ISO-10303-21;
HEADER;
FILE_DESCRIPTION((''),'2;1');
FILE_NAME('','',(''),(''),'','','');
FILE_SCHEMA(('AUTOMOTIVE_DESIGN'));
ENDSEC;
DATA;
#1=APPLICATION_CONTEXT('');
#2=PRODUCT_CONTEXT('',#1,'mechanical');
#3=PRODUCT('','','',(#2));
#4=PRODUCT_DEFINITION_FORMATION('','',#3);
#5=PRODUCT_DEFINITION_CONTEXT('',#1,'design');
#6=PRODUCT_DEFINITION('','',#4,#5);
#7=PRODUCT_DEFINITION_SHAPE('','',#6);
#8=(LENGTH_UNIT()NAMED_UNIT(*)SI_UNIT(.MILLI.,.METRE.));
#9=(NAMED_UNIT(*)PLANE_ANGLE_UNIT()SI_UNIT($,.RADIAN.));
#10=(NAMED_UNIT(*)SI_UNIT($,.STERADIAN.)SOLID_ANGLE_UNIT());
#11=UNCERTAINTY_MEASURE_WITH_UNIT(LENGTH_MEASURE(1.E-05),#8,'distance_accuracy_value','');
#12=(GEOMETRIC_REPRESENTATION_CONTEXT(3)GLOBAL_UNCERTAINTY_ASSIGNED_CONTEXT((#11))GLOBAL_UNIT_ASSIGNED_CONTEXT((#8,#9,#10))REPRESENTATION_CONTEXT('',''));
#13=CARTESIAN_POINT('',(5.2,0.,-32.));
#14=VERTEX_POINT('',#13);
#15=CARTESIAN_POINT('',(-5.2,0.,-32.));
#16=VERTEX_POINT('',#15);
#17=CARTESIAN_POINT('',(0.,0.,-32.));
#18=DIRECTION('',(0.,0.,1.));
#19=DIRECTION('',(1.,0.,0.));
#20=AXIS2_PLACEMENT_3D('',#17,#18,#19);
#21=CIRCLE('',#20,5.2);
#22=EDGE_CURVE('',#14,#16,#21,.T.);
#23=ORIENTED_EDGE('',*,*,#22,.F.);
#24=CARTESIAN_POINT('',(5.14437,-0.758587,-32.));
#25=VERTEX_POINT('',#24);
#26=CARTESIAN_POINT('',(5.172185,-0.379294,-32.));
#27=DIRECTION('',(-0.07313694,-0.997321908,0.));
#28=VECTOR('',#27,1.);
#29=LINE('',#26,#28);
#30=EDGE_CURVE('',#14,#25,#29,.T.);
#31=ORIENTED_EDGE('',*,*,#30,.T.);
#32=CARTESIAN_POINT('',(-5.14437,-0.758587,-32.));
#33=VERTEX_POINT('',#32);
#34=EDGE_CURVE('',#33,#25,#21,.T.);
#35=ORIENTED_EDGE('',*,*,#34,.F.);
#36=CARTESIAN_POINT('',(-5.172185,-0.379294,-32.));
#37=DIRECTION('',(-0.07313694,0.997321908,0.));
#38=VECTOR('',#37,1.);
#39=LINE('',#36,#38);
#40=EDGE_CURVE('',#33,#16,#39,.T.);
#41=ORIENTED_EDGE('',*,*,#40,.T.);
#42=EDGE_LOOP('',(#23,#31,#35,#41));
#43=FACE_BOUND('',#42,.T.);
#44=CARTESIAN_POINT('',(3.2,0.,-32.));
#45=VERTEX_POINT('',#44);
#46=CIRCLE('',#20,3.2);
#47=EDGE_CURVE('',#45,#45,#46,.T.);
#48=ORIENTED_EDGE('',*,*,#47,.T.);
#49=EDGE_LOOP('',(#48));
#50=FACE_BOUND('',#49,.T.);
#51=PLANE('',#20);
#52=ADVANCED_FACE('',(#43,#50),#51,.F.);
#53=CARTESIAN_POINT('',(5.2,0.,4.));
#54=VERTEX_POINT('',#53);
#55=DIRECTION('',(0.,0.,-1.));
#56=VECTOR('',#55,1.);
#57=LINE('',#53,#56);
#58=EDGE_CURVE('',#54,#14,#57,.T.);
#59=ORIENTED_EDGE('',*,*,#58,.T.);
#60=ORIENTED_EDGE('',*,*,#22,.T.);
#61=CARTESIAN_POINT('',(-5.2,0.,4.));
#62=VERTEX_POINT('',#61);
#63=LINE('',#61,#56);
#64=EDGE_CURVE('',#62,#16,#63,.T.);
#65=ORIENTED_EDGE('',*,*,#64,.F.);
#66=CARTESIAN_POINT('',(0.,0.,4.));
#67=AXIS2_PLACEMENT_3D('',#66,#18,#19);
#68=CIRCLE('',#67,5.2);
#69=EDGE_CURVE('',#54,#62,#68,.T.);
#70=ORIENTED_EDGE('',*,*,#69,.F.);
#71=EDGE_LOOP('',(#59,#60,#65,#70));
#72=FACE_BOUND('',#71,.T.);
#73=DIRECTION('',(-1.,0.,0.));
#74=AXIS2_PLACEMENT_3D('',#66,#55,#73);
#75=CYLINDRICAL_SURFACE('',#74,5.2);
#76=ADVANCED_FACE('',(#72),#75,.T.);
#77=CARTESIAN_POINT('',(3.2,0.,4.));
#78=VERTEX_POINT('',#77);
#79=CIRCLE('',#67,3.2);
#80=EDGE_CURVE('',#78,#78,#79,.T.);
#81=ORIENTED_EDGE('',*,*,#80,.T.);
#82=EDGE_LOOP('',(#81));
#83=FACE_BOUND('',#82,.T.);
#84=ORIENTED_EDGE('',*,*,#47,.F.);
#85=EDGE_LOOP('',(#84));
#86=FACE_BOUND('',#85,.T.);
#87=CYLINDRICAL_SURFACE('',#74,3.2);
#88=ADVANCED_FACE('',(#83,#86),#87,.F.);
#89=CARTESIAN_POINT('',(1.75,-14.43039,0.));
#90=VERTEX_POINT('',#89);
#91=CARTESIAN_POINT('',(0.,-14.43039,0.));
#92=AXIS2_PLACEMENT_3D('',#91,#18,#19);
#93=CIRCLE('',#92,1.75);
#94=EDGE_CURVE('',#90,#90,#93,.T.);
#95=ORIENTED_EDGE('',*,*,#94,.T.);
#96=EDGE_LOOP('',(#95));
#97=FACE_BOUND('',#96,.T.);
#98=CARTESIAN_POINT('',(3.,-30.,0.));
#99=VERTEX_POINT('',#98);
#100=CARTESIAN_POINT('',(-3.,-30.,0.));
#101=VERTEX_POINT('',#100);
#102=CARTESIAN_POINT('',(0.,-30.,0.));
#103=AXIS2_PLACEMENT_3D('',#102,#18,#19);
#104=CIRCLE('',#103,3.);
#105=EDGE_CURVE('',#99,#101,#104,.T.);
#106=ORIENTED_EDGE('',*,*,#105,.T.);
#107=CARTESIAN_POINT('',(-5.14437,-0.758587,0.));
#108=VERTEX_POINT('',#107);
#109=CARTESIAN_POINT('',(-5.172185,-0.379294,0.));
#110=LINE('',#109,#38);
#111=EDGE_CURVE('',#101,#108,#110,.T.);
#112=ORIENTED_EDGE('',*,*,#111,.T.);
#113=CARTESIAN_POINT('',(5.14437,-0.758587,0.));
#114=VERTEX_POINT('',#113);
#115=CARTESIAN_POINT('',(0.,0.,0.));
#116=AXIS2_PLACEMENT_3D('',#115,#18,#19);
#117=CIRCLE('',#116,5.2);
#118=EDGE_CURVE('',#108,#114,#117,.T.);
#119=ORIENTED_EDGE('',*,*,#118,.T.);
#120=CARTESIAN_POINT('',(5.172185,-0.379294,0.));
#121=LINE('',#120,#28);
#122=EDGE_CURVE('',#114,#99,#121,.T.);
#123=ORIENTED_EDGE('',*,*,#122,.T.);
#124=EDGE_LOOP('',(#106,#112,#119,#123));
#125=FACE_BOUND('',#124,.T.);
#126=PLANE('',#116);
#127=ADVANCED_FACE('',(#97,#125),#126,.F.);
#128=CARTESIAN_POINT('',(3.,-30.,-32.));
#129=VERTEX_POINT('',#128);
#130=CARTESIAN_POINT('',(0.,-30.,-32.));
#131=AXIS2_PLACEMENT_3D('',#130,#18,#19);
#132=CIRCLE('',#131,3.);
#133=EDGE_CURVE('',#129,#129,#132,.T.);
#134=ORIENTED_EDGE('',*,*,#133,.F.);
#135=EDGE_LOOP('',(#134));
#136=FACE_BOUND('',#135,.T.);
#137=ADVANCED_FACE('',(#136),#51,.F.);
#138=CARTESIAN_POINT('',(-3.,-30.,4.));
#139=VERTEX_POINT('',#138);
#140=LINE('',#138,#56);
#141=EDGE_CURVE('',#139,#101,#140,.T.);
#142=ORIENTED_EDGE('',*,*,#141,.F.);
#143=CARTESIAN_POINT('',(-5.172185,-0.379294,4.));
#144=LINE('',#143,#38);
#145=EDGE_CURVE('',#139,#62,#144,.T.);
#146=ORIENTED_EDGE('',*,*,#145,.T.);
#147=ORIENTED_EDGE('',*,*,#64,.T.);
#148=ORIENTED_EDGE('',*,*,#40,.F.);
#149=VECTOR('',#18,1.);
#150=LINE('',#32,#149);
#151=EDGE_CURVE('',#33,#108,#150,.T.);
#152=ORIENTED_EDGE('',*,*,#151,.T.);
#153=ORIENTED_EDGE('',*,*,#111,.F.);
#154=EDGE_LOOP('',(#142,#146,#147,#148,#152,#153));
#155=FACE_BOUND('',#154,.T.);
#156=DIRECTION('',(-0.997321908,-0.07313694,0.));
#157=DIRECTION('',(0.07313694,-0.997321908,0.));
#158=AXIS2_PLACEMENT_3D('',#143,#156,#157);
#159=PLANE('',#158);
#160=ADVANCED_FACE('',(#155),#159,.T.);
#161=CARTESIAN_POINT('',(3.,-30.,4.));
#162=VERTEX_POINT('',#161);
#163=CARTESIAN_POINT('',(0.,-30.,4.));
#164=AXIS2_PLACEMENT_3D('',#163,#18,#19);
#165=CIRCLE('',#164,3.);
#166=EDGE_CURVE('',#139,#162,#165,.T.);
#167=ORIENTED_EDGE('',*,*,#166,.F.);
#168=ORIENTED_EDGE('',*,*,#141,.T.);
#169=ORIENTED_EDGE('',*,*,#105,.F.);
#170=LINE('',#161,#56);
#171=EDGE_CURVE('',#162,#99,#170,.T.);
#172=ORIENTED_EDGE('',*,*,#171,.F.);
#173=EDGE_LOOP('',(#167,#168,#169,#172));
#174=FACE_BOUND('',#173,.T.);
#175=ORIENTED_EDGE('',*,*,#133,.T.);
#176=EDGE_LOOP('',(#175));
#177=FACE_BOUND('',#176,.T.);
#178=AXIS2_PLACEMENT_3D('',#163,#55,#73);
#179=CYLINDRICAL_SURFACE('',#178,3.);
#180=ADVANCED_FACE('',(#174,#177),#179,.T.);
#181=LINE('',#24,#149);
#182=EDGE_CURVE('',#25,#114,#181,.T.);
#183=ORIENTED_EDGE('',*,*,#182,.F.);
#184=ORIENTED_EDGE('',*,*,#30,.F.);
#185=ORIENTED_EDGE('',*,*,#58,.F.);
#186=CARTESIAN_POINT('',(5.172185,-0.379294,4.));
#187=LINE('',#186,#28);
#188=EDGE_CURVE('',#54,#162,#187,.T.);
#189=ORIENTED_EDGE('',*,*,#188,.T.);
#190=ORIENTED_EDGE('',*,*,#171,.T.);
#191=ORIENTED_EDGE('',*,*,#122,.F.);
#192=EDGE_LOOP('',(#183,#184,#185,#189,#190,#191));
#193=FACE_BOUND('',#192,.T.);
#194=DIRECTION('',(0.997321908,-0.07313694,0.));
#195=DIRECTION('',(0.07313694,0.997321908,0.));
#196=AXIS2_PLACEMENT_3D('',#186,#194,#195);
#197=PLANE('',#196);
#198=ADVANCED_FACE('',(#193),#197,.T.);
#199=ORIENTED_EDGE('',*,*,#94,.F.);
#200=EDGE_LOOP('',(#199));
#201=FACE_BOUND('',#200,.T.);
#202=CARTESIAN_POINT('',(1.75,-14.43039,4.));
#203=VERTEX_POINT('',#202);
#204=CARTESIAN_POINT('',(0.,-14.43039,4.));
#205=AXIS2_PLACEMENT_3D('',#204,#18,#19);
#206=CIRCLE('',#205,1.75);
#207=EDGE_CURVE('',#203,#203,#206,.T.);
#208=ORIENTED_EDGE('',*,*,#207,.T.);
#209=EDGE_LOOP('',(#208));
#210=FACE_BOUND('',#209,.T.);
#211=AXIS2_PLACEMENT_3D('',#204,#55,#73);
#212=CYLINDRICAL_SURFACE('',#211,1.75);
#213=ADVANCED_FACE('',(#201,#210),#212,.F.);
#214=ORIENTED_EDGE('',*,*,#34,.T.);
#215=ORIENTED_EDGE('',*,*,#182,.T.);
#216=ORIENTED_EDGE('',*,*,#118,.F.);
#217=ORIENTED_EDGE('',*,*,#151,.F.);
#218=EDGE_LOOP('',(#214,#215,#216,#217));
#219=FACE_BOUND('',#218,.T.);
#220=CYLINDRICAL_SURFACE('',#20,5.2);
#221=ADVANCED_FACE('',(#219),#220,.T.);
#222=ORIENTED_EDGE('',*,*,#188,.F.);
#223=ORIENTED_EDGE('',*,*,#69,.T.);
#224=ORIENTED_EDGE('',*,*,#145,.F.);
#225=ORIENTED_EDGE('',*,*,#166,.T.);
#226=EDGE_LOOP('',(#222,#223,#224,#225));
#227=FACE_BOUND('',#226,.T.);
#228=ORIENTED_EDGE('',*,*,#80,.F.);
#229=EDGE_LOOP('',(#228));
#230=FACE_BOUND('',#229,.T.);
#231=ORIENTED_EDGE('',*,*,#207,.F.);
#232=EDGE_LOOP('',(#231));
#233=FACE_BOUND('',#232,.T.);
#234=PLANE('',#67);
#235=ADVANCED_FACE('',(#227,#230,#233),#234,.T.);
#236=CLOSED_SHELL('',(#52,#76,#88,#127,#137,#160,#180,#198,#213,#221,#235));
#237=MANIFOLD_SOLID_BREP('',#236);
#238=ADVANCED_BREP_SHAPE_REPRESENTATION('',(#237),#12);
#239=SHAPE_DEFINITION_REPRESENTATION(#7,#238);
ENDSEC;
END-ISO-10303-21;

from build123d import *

# Parameters (mm, degrees)
SKETCH1_R           = 1.75
SKETCH1_R_2         = 3.2
BOSS_EXTRUDE1_DEPTH = 4
BOSS_EXTRUDE2_START = -32
SKETCH1_4_R         = 3
SKETCH1_4_R_2       = 3.2
BOSS_EXTRUDE2_DEPTH = 32


with BuildPart() as part:
    # Sketch1 → Boss-Extrude1 (new body)
    with BuildSketch(Plane.XY):
        with BuildLine():
            ThreePointArc((-3, -30), (0, -33), (3, -30))
            Line((3, -30), (5.2, 0))
            ThreePointArc((5.2, 0), (0, 5.2), (-5.2, 0))
            Line((-5.2, 0), (-3, -30))
        make_face()
        with Locations((0, -14.430389534)):
            Circle(SKETCH1_R, mode=Mode.SUBTRACT)
        Circle(SKETCH1_R_2, mode=Mode.SUBTRACT)
    extrude(amount=BOSS_EXTRUDE1_DEPTH)

    # Sketch1<4> → Boss-Extrude2 (add)
    # profile 1 of 2: a face of its own
    with BuildSketch(Plane.XY.offset(BOSS_EXTRUDE2_START)):
        with Locations((0, -30)):
            Circle(SKETCH1_4_R)
    # profile 2 of 2: a face of its own
    with BuildSketch(Plane.XY.offset(BOSS_EXTRUDE2_START)):
        with BuildLine():
            Line((-5.2, 0), (-5.144370275, -0.758587154))
            ThreePointArc((-5.144370275, -0.758587154), (0, -5.2), (5.144370275, -0.758587154))
            Line((5.144370275, -0.758587154), (5.2, 0))
            ThreePointArc((5.2, 0), (0, 5.2), (-5.2, 0))
        make_face()
        Circle(SKETCH1_4_R_2, mode=Mode.SUBTRACT)
    extrude(amount=BOSS_EXTRUDE2_DEPTH)


solid = part.part
